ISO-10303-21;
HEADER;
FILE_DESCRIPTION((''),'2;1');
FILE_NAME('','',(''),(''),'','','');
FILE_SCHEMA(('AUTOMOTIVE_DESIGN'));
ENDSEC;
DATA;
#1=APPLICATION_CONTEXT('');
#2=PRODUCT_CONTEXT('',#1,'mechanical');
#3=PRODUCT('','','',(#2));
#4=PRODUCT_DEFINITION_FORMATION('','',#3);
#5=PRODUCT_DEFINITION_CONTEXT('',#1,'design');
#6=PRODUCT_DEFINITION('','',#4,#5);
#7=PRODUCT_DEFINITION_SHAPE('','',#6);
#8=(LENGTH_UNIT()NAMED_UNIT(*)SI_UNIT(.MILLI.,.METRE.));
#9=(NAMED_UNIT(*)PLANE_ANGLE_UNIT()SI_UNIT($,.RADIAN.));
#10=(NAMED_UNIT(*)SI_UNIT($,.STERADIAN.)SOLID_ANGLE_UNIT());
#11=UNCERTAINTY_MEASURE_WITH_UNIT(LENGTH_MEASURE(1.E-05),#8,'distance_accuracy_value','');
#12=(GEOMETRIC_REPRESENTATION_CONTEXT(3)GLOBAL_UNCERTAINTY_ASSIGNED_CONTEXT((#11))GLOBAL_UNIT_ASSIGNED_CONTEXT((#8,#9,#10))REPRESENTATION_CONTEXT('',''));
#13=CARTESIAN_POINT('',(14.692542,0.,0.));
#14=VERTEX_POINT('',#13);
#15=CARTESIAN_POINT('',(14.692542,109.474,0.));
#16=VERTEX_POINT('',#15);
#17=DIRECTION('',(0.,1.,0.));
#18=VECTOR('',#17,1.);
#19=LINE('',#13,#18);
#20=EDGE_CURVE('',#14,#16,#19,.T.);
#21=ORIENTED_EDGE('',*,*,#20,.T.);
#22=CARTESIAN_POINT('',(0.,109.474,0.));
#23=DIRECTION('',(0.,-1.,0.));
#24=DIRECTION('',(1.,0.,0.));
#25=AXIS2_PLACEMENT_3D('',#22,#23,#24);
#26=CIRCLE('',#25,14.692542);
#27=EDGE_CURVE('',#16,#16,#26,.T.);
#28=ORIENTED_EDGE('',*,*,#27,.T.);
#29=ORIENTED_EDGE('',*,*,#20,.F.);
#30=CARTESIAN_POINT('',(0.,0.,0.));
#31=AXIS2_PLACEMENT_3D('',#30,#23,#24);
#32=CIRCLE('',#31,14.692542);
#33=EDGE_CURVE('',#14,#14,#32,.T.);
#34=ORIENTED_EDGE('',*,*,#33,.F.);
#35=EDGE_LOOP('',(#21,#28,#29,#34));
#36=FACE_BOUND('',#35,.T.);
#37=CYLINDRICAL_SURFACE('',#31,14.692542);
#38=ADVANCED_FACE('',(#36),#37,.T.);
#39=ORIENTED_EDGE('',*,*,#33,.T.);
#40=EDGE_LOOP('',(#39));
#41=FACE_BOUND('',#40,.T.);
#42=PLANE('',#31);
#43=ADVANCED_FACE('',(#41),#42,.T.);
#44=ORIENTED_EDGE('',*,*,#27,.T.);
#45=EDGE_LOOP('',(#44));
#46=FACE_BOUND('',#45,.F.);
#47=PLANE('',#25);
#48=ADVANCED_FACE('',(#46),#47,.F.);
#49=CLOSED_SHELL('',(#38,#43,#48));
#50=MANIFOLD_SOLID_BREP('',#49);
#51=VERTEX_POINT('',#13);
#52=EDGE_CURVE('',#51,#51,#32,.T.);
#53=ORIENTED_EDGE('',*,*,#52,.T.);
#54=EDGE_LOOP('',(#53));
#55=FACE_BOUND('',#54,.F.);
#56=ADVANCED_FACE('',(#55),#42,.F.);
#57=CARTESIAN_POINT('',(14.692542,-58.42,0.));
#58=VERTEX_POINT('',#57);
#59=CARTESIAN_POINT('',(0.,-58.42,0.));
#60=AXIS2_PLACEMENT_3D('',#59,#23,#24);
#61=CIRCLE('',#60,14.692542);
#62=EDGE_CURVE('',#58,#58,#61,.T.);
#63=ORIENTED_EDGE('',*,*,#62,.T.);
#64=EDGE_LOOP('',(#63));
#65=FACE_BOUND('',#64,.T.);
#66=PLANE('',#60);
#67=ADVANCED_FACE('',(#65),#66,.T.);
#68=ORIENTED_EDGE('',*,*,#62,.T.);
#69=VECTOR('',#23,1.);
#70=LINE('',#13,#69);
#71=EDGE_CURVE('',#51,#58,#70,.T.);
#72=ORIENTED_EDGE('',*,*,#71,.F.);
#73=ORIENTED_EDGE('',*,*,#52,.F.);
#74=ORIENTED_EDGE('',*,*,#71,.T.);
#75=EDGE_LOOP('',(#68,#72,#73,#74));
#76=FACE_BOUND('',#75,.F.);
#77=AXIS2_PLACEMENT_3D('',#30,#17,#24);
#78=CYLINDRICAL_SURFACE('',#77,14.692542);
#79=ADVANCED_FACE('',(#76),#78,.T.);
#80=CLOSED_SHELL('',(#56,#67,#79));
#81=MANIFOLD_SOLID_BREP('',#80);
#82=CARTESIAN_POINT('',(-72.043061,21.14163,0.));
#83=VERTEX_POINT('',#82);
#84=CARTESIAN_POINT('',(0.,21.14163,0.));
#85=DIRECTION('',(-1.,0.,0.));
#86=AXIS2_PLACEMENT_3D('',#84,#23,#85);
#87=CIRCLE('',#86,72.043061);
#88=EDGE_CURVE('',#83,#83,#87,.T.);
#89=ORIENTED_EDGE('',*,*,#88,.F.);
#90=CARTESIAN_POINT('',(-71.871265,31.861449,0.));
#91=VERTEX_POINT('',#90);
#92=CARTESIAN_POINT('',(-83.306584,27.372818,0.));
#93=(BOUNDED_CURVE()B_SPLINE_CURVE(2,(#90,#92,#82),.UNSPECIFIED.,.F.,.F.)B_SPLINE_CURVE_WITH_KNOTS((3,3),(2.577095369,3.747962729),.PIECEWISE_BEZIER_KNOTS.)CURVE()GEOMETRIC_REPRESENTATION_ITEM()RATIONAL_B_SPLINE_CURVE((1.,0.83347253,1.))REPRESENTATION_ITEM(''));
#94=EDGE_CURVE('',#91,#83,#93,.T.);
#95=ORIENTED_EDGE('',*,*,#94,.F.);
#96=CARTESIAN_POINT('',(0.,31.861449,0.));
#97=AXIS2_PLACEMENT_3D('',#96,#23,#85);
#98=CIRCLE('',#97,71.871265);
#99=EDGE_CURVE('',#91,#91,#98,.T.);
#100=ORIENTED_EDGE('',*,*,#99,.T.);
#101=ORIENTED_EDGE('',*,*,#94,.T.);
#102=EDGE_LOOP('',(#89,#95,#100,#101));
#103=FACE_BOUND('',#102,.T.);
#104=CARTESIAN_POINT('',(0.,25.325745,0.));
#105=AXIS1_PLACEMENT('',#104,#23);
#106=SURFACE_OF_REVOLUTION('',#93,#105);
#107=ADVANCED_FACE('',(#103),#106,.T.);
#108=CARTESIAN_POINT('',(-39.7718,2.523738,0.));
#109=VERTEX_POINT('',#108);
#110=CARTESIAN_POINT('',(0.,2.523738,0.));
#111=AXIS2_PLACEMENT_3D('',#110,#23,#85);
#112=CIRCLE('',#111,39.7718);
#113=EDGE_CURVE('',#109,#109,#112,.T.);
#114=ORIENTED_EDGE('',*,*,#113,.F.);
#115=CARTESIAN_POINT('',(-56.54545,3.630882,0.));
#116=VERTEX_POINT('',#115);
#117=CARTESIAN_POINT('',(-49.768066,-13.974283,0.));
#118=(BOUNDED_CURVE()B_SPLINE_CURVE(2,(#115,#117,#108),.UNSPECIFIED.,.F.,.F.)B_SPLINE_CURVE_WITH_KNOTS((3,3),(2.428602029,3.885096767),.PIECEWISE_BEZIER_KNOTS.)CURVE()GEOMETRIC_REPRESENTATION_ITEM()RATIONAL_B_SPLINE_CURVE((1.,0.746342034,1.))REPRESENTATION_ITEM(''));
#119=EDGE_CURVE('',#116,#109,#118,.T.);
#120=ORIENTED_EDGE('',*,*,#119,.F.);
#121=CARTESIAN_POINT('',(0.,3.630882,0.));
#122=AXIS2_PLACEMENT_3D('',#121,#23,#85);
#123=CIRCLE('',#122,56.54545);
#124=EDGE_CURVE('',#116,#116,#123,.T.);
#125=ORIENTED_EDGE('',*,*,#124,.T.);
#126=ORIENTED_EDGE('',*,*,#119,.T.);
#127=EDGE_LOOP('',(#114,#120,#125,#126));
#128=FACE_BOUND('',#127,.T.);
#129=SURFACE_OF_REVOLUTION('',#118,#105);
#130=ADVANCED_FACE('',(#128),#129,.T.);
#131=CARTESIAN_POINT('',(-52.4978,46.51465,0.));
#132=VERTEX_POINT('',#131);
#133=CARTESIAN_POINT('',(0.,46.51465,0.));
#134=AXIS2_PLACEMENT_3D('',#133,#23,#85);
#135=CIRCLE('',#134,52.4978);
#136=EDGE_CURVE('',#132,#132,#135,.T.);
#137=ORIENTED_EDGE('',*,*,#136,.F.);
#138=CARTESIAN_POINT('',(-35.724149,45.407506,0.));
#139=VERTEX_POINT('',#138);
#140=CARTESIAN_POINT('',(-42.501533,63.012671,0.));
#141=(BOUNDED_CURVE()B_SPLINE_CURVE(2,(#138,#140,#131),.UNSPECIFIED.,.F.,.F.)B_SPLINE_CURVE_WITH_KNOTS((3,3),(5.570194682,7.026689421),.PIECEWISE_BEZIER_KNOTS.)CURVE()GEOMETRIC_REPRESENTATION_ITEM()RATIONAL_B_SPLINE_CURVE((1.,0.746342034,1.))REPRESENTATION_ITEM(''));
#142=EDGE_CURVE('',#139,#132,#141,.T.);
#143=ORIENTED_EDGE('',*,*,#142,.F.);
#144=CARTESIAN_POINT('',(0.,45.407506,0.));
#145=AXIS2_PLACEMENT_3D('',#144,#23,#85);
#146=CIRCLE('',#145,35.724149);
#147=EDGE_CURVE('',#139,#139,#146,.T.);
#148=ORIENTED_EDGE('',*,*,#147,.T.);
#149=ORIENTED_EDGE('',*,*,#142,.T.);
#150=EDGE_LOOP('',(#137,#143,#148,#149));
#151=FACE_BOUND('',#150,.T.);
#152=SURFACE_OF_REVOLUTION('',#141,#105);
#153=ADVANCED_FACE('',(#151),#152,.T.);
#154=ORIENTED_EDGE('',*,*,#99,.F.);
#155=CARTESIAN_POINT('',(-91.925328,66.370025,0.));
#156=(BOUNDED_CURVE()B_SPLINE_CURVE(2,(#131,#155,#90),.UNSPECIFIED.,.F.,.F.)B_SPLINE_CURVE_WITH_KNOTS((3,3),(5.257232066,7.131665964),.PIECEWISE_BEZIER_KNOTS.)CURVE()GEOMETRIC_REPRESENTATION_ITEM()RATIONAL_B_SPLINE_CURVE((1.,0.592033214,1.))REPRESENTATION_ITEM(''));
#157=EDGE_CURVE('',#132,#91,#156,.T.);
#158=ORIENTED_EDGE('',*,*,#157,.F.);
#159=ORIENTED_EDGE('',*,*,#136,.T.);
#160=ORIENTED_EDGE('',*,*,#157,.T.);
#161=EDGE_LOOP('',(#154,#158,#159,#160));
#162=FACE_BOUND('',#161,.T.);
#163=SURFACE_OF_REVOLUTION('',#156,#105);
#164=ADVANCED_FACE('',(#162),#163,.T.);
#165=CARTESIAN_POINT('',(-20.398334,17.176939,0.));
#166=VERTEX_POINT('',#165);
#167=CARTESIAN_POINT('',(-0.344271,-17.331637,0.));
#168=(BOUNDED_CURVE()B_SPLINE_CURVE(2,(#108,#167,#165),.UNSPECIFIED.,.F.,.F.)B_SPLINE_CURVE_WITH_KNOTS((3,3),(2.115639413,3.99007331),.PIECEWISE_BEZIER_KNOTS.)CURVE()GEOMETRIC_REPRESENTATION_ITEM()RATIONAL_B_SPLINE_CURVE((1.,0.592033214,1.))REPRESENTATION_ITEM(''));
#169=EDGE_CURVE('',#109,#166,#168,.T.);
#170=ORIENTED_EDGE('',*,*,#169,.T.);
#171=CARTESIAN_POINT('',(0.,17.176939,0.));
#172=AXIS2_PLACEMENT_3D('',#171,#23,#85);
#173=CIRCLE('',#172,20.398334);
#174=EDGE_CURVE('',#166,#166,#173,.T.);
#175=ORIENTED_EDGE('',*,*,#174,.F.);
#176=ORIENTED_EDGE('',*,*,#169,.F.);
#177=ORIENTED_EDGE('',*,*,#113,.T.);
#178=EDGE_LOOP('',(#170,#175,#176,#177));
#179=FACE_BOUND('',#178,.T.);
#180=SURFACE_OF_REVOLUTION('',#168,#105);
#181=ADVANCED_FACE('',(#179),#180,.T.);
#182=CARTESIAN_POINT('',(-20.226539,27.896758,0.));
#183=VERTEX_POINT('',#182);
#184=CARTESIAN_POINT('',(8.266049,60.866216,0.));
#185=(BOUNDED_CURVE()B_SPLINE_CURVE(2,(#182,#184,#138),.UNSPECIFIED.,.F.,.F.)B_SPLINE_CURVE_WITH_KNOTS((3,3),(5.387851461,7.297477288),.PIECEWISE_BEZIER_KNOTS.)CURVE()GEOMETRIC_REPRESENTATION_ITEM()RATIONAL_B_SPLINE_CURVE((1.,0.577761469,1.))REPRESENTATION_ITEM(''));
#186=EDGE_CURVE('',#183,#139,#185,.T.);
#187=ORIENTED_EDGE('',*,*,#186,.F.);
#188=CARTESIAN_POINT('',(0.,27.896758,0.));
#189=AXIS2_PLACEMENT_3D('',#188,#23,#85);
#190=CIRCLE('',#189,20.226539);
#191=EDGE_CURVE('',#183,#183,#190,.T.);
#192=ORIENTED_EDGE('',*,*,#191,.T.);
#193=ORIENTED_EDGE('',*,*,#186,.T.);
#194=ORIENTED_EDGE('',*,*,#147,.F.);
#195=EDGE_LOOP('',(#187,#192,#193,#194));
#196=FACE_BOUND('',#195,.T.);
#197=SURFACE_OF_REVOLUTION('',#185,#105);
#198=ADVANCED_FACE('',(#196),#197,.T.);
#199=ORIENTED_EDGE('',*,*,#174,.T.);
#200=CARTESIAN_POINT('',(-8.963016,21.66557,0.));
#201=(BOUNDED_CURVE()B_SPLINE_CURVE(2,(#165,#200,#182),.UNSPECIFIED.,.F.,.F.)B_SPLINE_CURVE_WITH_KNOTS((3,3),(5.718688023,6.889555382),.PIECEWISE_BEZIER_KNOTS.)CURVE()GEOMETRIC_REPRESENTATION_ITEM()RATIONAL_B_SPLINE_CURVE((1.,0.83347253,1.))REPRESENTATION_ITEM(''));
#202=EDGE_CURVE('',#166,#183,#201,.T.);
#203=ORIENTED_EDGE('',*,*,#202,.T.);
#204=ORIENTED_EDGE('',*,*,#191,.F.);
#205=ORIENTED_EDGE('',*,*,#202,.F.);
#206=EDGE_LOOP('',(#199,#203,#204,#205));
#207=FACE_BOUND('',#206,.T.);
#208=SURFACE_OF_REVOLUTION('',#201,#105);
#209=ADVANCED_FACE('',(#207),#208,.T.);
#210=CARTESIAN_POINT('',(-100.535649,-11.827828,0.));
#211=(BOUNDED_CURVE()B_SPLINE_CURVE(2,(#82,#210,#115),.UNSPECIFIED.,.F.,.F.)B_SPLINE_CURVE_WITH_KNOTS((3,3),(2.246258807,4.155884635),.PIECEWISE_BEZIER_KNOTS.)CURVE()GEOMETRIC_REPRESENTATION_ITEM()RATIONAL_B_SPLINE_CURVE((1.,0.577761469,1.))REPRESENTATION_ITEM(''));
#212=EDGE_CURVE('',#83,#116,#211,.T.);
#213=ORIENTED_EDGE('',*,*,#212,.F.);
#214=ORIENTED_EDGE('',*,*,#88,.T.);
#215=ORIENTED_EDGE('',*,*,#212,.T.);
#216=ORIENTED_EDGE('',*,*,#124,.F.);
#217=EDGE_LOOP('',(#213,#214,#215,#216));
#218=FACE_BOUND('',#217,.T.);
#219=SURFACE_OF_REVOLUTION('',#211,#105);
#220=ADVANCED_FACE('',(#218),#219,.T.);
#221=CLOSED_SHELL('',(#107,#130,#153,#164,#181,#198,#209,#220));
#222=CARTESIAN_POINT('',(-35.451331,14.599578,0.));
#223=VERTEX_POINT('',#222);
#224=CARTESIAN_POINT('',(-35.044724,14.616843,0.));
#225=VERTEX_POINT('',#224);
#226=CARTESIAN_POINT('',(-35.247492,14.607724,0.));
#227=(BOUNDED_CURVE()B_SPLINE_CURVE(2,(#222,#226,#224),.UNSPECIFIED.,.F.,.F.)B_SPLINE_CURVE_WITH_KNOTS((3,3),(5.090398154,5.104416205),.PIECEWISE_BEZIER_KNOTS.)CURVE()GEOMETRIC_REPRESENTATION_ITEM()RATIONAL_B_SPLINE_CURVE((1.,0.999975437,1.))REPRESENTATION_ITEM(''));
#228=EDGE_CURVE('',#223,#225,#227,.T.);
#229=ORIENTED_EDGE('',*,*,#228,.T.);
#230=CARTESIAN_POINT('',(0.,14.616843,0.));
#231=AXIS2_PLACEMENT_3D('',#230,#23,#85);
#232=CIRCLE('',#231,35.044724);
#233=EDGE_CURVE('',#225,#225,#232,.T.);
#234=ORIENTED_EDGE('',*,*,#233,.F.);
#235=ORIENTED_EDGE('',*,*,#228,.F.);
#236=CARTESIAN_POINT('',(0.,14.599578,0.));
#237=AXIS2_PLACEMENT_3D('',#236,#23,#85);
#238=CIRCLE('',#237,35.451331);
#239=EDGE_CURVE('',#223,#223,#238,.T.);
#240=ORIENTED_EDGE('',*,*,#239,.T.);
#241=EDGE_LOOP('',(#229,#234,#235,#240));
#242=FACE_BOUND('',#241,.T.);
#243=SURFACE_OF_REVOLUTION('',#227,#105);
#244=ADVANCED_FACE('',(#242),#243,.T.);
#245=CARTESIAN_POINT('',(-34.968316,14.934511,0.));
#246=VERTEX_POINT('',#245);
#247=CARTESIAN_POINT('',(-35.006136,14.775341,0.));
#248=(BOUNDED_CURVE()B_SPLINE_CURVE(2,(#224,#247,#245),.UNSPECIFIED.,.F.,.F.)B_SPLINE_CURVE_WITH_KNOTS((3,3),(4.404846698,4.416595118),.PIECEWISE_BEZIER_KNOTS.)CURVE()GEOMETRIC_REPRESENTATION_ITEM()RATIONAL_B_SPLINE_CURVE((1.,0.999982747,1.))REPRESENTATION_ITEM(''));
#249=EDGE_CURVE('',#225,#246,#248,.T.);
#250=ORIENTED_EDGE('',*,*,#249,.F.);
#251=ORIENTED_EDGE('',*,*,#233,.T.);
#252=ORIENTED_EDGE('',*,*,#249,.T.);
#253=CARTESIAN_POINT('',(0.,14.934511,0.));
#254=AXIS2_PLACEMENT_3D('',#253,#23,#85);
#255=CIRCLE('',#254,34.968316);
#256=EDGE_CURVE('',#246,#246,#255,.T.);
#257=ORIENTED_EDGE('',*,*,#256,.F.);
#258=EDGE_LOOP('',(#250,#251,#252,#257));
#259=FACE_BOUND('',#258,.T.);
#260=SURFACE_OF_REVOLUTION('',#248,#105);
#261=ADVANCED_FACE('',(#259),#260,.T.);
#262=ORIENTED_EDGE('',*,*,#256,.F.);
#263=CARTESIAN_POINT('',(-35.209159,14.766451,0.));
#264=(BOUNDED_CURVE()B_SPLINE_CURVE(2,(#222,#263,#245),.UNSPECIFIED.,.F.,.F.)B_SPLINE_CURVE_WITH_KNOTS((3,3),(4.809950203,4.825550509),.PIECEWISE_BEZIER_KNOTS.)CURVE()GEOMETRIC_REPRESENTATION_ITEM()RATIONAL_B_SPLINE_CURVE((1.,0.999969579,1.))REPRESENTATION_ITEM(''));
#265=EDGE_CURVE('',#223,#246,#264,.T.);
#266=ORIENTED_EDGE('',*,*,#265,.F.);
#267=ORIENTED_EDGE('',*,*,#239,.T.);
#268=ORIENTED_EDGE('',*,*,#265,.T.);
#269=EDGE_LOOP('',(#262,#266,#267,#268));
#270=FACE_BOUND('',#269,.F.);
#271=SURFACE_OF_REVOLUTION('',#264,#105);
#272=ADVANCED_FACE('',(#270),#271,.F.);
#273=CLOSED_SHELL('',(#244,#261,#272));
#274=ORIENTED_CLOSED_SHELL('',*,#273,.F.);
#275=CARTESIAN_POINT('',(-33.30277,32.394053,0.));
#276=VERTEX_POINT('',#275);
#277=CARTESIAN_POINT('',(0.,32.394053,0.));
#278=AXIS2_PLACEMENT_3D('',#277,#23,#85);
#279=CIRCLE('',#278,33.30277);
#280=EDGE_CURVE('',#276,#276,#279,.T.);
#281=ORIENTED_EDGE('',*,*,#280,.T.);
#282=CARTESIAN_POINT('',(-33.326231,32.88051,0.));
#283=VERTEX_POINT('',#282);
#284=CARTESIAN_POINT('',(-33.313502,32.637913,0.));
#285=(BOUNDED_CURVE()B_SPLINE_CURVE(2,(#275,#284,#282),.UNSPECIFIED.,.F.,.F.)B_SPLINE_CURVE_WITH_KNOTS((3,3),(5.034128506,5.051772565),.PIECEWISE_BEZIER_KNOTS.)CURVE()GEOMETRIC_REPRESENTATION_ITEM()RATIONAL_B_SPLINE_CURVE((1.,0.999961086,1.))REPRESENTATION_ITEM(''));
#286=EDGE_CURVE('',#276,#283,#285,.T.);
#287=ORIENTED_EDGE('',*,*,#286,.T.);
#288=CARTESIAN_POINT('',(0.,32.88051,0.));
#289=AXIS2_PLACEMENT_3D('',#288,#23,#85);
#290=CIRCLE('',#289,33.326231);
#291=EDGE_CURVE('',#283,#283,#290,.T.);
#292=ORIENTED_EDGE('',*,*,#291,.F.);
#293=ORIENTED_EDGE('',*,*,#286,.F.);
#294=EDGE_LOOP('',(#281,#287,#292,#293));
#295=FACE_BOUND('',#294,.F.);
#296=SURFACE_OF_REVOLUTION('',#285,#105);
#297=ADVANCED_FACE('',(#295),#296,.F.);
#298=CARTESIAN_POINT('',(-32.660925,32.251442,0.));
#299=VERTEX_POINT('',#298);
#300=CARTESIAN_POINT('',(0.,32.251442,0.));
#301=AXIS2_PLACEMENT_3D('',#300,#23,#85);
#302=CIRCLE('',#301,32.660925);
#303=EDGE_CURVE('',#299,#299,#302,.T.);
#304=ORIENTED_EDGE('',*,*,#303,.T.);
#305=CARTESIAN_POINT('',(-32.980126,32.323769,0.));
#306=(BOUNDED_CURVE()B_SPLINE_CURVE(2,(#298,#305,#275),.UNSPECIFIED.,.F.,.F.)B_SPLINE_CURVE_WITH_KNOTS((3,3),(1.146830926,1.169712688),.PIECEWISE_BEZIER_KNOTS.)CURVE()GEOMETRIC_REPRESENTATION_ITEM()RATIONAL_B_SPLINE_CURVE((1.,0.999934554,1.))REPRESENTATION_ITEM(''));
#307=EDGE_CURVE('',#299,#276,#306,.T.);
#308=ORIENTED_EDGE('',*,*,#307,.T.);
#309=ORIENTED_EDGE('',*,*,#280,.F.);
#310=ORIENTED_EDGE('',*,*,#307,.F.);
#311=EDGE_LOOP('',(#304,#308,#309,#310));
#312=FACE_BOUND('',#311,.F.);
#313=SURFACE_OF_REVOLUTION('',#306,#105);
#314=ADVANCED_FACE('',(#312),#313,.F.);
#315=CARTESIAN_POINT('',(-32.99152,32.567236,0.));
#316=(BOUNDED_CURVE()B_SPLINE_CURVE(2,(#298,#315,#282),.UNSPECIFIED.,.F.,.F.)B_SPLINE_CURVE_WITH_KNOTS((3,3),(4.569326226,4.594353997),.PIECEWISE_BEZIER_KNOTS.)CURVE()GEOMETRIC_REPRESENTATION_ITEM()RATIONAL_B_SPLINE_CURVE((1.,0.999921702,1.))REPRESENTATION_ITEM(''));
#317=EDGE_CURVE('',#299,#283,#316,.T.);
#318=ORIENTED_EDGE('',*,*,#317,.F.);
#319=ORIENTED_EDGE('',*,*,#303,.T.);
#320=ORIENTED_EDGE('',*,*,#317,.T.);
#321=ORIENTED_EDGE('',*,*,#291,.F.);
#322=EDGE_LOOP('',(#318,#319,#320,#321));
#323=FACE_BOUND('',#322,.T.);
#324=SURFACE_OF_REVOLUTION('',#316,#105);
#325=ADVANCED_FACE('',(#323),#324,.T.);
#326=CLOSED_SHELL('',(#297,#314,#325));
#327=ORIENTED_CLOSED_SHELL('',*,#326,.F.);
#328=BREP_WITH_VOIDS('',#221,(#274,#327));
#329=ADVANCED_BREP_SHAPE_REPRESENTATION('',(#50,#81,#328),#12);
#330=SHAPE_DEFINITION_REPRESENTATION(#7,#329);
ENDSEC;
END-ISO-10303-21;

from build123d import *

# Parameters (mm, degrees)
F2_R     = 14.6925420484
F3_DEPTH = 58.42
F4_DEPTH = 109.474


with BuildPart() as f1:
    # F0 (on Top) → F1 (revolve)
    with BuildSketch(Plane.XY):
        with BuildLine():
            add(Edge.make_bspline(
                [(-71.8712651027, 31.8614490307), (-83.3065836709, 27.3728179466), (-72.0430607464, 21.1416296691)],
                knots=[2.5770953689, 2.5770953689, 2.5770953689, 3.7479627287, 3.7479627287, 3.7479627287], degree=2, weights=[1, 0.8334725297, 1]))
            add(Edge.make_bspline(
                [(-72.0430607464, 21.1416296691), (-100.5356487089, -11.8278282354), (-56.5454501701, 3.630881721)],
                knots=[2.2462588075, 2.2462588075, 2.2462588075, 4.1558846346, 4.1558846346, 4.1558846346], degree=2, weights=[1, 0.577761469, 1]))
            add(Edge.make_bspline(
                [(-56.5454501701, 3.630881721), (-49.7680659422, -13.9742831427), (-39.7717999025, 2.5237378227)],
                knots=[2.4286020288, 2.4286020288, 2.4286020288, 3.8850967672, 3.8850967672, 3.8850967672], degree=2, weights=[1, 0.7463420336, 1]))
            add(Edge.make_bspline(
                [(-39.7717999025, 2.5237378227), (-0.3442710462, -17.3316374866), (-20.398334335, 17.1769388044)],
                knots=[2.1156394125, 2.1156394125, 2.1156394125, 3.9900733101, 3.9900733101, 3.9900733101], degree=2, weights=[1, 0.5920332136, 1]))
            add(Edge.make_bspline(
                [(-20.398334335, 17.1769388044), (-8.9630157668, 21.6655698884), (-20.2265386914, 27.8967581659)],
                knots=[5.7186880225, 5.7186880225, 5.7186880225, 6.8895553823, 6.8895553823, 6.8895553823], degree=2, weights=[1, 0.8334725297, 1]))
            add(Edge.make_bspline(
                [(-20.2265386914, 27.8967581659), (8.2660492712, 60.8662160704), (-35.7241492676, 45.407506114)],
                knots=[5.3878514611, 5.3878514611, 5.3878514611, 7.2974772882, 7.2974772882, 7.2974772882], degree=2, weights=[1, 0.577761469, 1]))
            add(Edge.make_bspline(
                [(-35.7241492676, 45.407506114), (-42.5015334955, 63.0126709777), (-52.4977995352, 46.5146500123)],
                knots=[5.5701946824, 5.5701946824, 5.5701946824, 7.0266894208, 7.0266894208, 7.0266894208], degree=2, weights=[1, 0.7463420336, 1]))
            add(Edge.make_bspline(
                [(-52.4977995352, 46.5146500123), (-91.9253283915, 66.3700253217), (-71.8712651027, 31.8614490307)],
                knots=[5.2572320661, 5.2572320661, 5.2572320661, 7.1316659636, 7.1316659636, 7.1316659636], degree=2, weights=[1, 0.5920332136, 1]))
        make_face()
        with BuildLine():
            add(Edge.make_bspline(
                [(-35.4513308157, 14.5995784713), (-35.2474924167, 14.6077239265), (-35.0447237095, 14.6168431962)],
                knots=[5.0903981544, 5.0903981544, 5.0903981544, 5.1044162053, 5.1044162053, 5.1044162053], degree=2, weights=[1, 0.9999754369, 1]))
            add(Edge.make_bspline(
                [(-35.4513308157, 14.5995784713), (-35.2091586629, 14.7664512216), (-34.9683159674, 14.9345107081)],
                knots=[4.809950203, 4.809950203, 4.809950203, 4.825550509, 4.825550509, 4.825550509], degree=2, weights=[1, 0.999969579, 1]))
            add(Edge.make_bspline(
                [(-35.0447237095, 14.6168431962), (-35.0061358334, 14.7753407313), (-34.9683159674, 14.9345107081)],
                knots=[4.4048466978, 4.4048466978, 4.4048466978, 4.4165951178, 4.4165951178, 4.4165951178], degree=2, weights=[1, 0.9999827469, 1]))
        make_face(mode=Mode.SUBTRACT)
        with BuildLine():
            add(Edge.make_bspline(
                [(-32.6609249123, 32.2514424814), (-32.9915197308, 32.5672364869), (-33.3262307397, 32.8805100197)],
                knots=[4.5693262257, 4.5693262257, 4.5693262257, 4.5943539975, 4.5943539975, 4.5943539975], degree=2, weights=[1, 0.9999217024, 1]))
            add(Edge.make_bspline(
                [(-32.6609249123, 32.2514424814), (-32.980125514, 32.3237694032), (-33.302769695, 32.3940532737)],
                knots=[1.1468309259, 1.1468309259, 1.1468309259, 1.169712688, 1.169712688, 1.169712688], degree=2, weights=[1, 0.9999345538, 1]))
            add(Edge.make_bspline(
                [(-33.302769695, 32.3940532737), (-33.3135023847, 32.6379134957), (-33.3262307397, 32.8805100197)],
                knots=[5.0341285059, 5.0341285059, 5.0341285059, 5.0517725651, 5.0517725651, 5.0517725651], degree=2, weights=[1, 0.9999610861, 1]))
        make_face(mode=Mode.SUBTRACT)
    revolve(axis=Axis((0, 25.3257453442, 0), (0, -1, 0)))


with BuildPart() as f3:
    # F2 (on Front) → F3 (new body)
    with BuildSketch(Plane.XZ):
        Circle(F2_R)
    extrude(amount=F3_DEPTH)


with BuildPart() as f4:
    # F2 (on Front) → F4 (new body)
    with BuildSketch(Plane.XZ):
        Circle(F2_R)
    extrude(amount=-F4_DEPTH)


solid = Compound([f1.part, f3.part, f4.part])
